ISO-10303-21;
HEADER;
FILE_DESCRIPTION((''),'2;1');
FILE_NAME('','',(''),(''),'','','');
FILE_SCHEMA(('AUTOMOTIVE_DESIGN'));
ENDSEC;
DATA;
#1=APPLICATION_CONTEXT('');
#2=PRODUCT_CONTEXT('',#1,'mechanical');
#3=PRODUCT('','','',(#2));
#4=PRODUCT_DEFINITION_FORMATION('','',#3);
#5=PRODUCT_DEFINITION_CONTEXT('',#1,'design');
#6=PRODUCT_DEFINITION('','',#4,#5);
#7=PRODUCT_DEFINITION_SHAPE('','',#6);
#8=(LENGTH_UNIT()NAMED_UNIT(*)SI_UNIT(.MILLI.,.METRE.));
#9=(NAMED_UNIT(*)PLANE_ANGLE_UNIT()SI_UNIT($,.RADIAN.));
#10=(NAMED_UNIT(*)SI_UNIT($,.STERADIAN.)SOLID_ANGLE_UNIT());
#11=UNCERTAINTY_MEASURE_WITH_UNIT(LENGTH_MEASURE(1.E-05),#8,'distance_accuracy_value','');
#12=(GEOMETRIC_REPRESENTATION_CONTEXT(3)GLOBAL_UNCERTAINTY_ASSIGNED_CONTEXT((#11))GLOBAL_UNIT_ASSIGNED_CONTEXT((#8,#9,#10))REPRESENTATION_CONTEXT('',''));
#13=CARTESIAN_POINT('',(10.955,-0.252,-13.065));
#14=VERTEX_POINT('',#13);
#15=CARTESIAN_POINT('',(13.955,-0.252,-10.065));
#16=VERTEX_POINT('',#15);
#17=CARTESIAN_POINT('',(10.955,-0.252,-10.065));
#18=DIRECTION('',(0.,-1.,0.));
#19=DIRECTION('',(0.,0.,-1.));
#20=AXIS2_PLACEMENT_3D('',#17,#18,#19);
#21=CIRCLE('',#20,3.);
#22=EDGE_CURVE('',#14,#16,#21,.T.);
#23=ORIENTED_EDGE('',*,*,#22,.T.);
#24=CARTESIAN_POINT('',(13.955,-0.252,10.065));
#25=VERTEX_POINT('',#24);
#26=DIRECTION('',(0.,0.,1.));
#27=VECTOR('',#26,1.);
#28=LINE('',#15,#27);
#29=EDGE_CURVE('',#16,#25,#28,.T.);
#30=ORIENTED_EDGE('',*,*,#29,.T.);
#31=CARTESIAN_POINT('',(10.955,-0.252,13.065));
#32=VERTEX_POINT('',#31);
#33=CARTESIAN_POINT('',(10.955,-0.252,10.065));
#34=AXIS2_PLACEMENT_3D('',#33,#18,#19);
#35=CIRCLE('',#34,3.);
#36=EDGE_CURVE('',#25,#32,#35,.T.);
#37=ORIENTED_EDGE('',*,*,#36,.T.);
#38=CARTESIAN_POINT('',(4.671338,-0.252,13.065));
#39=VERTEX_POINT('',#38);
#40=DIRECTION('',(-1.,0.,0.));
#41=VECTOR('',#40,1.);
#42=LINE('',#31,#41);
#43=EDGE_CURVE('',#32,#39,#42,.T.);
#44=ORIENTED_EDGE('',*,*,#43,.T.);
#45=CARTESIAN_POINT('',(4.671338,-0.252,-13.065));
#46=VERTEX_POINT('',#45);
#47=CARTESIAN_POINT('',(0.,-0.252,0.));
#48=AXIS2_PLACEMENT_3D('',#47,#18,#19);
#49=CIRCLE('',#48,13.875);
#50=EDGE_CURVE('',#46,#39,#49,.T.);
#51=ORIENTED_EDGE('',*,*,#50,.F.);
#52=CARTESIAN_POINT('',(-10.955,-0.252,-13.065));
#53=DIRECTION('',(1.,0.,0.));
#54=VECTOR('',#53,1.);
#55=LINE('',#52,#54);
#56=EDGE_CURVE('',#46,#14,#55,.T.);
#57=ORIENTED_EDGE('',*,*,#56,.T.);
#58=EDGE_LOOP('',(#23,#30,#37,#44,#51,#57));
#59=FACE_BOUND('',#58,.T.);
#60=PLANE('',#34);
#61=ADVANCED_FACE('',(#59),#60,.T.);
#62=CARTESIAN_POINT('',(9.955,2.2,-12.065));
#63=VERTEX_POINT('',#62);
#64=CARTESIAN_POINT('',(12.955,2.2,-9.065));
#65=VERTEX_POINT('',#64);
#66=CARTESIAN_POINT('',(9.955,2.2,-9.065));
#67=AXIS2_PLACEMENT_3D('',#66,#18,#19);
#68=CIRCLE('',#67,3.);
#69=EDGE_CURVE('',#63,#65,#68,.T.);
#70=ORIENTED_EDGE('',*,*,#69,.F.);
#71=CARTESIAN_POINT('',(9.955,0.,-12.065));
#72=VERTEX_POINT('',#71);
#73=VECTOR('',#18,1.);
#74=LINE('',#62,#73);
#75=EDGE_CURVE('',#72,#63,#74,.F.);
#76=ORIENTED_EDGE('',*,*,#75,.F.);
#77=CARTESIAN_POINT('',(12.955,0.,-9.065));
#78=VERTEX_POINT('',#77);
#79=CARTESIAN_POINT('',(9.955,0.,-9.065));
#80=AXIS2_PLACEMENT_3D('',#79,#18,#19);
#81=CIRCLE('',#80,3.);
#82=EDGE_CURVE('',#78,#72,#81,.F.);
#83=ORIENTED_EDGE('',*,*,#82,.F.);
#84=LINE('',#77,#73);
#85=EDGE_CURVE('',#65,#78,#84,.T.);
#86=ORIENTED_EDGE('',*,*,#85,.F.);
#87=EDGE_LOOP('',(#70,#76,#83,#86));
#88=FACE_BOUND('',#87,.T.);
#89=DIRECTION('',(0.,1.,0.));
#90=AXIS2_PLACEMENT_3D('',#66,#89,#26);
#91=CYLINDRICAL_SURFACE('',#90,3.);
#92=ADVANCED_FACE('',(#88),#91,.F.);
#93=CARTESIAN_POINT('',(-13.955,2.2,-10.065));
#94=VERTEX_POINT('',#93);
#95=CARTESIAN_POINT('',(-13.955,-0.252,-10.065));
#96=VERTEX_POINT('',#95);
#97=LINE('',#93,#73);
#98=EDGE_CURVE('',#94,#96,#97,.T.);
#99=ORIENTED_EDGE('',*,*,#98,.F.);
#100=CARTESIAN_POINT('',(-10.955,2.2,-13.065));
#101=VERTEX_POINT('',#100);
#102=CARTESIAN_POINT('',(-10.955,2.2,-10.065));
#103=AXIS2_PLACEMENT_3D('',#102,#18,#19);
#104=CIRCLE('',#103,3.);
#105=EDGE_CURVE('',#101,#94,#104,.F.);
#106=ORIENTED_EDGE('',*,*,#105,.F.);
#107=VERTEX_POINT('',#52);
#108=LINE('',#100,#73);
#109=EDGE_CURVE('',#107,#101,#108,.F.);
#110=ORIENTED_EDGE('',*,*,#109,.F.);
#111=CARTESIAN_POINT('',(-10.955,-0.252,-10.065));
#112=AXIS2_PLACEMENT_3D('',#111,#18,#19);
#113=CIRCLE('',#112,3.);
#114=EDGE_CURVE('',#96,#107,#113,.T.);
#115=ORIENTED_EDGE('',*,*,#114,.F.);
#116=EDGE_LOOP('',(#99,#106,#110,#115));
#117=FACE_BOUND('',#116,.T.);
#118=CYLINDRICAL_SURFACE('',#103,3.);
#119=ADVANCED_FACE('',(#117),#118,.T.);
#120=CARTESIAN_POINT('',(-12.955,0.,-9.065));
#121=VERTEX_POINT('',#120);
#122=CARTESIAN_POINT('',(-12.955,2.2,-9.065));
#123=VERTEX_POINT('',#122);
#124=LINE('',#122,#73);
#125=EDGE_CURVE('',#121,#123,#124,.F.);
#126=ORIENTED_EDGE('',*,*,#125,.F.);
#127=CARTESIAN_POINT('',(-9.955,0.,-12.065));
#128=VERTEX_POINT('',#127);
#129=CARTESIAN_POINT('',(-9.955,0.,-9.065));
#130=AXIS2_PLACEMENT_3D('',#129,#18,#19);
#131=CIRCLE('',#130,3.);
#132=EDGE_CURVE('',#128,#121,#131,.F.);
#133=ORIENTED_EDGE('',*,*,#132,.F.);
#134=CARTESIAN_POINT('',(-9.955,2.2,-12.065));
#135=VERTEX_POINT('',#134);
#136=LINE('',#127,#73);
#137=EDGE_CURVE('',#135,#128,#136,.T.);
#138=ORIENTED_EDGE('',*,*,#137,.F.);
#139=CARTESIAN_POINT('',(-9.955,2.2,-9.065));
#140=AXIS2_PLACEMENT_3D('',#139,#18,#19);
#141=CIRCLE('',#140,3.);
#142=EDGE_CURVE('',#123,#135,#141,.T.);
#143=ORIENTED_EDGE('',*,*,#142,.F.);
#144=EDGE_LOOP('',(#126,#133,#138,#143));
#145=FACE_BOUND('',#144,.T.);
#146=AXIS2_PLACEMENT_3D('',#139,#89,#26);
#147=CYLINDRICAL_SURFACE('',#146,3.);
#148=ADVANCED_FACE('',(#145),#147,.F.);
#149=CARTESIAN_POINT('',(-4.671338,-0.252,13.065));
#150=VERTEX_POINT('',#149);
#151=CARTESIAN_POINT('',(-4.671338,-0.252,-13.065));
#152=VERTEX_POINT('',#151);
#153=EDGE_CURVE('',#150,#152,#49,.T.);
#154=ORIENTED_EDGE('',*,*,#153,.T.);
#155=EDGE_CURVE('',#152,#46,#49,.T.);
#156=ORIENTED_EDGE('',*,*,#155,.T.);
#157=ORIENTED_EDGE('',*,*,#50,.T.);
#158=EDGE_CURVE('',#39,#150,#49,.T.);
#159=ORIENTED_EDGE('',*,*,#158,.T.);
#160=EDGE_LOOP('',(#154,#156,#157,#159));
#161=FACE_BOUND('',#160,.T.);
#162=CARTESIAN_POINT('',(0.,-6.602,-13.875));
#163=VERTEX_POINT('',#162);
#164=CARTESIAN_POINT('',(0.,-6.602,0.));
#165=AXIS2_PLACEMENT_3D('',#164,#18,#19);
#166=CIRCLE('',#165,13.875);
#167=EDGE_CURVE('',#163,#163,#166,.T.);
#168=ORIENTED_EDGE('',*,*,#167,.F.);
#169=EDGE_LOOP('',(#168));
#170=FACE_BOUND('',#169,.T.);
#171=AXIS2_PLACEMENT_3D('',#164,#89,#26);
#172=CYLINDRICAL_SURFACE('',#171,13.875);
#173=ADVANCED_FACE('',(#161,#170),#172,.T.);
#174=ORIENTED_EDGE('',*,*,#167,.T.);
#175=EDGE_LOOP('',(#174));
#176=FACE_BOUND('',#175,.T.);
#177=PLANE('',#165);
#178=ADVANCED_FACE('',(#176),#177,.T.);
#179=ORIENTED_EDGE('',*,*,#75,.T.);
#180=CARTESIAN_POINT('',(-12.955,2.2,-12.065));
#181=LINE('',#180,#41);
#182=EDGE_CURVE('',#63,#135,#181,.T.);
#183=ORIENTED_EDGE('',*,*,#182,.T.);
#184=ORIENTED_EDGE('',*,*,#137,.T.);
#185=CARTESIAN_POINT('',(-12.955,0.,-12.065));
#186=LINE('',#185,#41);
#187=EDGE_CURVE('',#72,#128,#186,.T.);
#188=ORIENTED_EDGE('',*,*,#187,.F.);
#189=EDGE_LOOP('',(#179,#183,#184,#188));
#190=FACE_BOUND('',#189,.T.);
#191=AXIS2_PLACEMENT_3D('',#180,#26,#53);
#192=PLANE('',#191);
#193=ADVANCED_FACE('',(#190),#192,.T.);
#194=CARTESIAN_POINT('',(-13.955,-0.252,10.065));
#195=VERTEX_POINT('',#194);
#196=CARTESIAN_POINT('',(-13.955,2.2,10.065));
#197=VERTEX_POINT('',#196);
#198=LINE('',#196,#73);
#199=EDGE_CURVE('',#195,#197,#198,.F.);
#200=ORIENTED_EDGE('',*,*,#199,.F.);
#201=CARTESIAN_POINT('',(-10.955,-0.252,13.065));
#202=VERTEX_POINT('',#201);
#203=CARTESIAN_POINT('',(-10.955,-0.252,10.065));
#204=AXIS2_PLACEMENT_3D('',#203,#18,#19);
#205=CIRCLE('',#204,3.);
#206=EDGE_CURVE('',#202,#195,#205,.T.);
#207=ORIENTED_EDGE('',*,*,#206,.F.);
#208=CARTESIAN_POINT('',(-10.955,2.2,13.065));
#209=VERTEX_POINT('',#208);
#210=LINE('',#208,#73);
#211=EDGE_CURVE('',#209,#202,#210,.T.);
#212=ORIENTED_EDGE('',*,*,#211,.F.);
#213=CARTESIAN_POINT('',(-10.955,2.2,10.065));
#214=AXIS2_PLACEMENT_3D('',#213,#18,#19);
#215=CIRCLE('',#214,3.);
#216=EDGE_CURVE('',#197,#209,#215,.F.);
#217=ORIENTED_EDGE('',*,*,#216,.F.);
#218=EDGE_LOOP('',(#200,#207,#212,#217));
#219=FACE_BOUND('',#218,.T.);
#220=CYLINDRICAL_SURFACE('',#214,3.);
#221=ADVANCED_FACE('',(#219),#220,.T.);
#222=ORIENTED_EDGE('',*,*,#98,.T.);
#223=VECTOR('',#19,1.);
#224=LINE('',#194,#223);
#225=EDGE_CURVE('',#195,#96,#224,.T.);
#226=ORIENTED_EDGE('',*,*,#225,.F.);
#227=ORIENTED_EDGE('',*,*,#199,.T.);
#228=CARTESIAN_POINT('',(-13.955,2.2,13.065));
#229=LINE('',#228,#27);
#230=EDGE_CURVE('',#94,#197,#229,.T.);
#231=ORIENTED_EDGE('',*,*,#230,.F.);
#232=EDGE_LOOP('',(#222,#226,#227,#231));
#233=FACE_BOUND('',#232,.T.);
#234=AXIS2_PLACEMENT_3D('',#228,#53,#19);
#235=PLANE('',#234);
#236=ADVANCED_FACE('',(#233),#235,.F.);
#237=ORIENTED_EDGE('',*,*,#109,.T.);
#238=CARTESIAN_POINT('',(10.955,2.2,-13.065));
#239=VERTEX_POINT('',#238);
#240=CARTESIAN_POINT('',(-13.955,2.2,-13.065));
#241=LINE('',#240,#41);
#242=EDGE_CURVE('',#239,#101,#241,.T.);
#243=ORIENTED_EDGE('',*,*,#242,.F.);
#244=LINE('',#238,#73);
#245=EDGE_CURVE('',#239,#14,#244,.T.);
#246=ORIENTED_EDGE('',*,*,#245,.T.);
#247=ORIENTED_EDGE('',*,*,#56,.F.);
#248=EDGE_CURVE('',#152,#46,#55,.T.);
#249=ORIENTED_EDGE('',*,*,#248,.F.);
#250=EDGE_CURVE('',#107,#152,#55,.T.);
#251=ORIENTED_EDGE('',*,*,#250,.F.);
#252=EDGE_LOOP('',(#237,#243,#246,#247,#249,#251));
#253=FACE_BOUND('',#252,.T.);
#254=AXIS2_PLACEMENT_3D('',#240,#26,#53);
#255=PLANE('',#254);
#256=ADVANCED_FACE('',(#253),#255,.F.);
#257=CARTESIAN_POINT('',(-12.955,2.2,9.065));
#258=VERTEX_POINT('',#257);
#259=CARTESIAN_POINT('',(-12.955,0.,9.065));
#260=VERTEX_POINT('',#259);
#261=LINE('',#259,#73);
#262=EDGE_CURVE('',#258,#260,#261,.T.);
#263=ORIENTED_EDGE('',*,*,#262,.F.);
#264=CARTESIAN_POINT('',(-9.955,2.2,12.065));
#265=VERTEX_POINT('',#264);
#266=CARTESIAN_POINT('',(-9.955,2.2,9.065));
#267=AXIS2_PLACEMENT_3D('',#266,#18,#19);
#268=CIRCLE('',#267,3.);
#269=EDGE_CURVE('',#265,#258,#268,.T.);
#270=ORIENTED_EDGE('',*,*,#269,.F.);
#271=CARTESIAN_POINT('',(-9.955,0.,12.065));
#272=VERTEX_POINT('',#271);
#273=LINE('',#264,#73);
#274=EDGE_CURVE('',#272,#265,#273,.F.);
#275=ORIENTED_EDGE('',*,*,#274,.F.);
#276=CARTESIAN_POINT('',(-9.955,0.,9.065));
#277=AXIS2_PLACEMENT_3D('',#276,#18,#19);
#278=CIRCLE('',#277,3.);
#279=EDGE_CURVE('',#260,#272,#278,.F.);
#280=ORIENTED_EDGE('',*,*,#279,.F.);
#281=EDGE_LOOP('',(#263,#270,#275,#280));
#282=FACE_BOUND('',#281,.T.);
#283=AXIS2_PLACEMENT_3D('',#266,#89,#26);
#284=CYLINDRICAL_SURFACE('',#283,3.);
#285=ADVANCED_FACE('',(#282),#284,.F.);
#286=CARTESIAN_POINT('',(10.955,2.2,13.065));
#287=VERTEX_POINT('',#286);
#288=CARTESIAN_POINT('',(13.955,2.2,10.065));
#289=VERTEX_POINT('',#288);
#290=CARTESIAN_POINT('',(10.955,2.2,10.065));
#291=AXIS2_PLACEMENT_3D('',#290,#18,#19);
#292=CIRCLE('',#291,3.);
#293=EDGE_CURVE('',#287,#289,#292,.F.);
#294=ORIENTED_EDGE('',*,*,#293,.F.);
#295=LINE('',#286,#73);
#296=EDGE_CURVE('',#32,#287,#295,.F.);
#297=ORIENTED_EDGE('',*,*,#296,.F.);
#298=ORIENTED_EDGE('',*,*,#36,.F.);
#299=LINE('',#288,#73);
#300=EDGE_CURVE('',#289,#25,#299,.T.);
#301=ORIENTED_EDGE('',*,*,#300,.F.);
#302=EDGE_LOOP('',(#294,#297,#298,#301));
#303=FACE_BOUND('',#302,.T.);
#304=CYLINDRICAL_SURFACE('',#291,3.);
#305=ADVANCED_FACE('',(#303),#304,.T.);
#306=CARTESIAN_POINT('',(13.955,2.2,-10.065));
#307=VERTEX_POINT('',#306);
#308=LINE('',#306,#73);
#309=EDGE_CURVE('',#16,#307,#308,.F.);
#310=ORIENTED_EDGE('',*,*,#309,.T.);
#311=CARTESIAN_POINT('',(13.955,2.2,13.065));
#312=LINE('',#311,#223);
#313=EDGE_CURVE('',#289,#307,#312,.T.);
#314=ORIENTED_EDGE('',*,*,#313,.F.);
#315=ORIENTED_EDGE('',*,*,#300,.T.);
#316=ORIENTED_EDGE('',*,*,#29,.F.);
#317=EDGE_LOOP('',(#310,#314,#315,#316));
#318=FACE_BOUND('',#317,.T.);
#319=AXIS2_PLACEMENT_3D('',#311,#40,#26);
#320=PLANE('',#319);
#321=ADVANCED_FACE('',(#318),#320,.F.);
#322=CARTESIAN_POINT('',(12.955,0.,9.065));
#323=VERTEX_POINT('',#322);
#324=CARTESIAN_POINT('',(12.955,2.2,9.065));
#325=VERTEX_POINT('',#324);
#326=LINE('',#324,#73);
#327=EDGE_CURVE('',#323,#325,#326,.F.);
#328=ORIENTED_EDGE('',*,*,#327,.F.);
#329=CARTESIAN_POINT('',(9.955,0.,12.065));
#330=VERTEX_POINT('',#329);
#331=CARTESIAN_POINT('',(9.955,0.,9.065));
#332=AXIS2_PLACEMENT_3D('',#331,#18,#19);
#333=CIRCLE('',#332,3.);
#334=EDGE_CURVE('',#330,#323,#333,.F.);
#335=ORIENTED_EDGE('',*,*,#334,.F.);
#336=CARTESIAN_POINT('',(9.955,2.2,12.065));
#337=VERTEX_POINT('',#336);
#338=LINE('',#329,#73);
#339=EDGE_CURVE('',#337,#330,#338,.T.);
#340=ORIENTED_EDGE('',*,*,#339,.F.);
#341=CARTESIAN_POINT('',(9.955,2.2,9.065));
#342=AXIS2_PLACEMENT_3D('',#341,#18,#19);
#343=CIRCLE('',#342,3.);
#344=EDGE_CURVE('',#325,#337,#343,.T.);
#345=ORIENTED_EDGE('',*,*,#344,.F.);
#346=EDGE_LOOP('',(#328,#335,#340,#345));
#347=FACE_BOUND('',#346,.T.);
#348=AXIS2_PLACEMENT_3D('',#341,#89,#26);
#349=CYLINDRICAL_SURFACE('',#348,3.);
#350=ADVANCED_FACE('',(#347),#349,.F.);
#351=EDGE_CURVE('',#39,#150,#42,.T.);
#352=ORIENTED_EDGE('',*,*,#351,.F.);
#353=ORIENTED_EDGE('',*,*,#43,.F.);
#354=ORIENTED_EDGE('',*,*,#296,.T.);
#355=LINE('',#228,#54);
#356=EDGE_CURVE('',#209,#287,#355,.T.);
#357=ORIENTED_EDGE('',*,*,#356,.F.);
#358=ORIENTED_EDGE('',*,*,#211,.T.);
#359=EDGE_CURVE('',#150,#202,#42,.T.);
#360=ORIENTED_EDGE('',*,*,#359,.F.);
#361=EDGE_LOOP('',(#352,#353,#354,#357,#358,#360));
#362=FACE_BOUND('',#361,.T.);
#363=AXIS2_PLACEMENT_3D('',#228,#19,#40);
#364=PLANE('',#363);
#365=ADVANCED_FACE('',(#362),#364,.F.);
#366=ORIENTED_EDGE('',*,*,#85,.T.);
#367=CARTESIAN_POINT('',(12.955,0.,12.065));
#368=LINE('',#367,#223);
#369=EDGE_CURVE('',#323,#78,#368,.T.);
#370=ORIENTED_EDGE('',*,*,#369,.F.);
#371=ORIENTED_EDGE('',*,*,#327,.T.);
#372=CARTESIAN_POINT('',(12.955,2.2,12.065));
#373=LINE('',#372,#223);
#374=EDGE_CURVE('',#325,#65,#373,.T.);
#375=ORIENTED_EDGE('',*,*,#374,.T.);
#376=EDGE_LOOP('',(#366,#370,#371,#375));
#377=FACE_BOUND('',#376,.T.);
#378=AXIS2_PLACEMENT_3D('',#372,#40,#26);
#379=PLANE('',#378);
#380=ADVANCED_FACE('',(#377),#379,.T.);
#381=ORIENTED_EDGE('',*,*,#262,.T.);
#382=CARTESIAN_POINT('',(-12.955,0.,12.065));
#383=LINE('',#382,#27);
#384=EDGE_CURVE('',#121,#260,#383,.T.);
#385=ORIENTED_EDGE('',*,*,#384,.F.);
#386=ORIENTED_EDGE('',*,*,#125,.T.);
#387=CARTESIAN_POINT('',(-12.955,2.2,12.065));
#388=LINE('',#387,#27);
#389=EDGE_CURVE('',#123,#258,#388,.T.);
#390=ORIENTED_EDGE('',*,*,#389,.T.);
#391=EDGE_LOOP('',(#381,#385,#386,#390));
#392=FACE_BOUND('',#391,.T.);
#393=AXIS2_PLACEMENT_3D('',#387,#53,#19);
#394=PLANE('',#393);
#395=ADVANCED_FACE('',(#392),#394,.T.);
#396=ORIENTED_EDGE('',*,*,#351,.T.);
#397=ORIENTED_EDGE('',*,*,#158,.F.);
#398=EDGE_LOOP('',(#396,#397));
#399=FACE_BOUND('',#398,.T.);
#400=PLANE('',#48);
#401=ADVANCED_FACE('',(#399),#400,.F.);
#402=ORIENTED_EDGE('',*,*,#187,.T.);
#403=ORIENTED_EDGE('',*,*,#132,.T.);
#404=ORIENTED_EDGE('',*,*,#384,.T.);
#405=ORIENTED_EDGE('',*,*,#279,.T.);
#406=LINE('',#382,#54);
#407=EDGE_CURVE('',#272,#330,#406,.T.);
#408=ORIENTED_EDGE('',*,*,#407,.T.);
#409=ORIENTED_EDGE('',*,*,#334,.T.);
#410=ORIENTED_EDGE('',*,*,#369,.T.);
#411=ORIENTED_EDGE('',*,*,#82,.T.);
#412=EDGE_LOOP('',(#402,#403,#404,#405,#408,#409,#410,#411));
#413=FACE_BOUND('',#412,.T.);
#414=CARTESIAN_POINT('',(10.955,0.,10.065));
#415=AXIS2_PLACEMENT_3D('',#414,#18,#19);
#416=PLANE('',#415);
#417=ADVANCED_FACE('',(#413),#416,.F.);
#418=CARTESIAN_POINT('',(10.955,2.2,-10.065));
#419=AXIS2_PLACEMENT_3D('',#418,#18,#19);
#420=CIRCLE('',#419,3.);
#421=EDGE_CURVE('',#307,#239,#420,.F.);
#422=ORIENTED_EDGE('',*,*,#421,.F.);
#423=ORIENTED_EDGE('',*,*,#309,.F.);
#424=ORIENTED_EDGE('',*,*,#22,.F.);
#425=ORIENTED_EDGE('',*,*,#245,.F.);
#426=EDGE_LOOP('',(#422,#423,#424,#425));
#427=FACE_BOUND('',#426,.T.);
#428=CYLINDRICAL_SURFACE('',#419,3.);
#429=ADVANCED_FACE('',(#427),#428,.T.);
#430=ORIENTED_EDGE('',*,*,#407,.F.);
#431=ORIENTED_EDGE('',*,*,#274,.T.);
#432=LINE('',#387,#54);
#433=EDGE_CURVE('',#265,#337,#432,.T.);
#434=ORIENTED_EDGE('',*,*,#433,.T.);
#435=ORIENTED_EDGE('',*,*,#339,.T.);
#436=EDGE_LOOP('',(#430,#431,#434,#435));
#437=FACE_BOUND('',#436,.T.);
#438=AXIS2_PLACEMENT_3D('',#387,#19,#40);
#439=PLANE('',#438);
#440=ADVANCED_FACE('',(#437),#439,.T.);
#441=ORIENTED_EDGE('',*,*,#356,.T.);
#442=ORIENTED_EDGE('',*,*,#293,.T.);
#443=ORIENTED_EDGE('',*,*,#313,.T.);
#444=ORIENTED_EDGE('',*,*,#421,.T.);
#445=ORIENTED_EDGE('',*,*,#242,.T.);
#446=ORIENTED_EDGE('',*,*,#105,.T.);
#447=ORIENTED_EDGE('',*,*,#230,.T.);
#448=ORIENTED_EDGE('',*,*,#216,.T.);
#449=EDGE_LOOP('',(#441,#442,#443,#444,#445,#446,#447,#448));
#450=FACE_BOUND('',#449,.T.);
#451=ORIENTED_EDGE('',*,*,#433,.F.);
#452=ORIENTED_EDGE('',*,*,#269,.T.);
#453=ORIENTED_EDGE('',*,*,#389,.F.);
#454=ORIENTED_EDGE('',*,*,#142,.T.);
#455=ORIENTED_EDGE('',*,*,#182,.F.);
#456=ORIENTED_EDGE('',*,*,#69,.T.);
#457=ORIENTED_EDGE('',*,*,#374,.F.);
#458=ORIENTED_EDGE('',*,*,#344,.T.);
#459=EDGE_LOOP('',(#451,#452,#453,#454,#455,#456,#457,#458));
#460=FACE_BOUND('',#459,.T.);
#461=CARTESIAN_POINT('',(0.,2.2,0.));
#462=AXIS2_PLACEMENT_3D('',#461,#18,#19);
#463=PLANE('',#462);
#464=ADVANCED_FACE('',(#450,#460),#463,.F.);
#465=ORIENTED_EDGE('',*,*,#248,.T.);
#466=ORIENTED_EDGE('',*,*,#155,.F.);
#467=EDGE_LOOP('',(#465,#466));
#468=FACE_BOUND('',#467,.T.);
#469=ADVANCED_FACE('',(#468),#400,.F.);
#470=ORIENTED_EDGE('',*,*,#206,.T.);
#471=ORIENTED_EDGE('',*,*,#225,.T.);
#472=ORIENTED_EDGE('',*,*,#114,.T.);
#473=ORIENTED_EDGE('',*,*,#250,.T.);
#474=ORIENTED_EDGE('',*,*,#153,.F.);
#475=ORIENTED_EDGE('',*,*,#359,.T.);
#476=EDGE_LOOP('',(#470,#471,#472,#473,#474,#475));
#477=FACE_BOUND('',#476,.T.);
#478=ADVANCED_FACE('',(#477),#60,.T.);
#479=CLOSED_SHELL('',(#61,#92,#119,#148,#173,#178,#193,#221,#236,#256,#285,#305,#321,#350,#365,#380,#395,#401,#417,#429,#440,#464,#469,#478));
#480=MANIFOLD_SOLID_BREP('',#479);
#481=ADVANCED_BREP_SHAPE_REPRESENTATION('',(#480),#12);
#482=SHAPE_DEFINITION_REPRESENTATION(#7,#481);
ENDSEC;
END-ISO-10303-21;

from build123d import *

# Parameters (mm, degrees)
IZIM1_W                     = 27.91
IZIM1_H                     = 26.13
IZIM1_W_2                   = 25.91
IZIM1_H_2                   = 24.13
Y_KSEKLIK_EKSTR_ZYON1_DEPTH = 2.2
RADYUS1_R                   = 3
Y_KSEKLIK_EKSTR_ZYON2_DEPTH = 0.252
IZIM3_R                     = 13.875
Y_KSEKLIK_EKSTR_ZYON3_DEPTH = 6.35


with BuildPart() as part:
    # Çizim1 → Yükseklik-Ekstrüzyon1 (new body)
    with BuildSketch(Plane(origin=(0, 0, 0), x_dir=(1, 0, 0), z_dir=(0, 1, 0))):
        Rectangle(IZIM1_W, IZIM1_H)
        Rectangle(IZIM1_W_2, IZIM1_H_2, mode=Mode.SUBTRACT)
    extrude(amount=Y_KSEKLIK_EKSTR_ZYON1_DEPTH)

    # Radyus1
    radyus1_edges = [part.edges().sort_by_distance(p)[0] for p in [
        (12.955, 1.1, 12.065),
        (12.955, 1.1, -12.065),
        (-12.955, 1.1, -12.065),
        (-12.955, 1.1, 12.065),
        (-13.955, 1.1, -13.065),
        (13.955, 1.1, -13.065),
        (13.955, 1.1, 13.065),
        (-13.955, 1.1, 13.065),
    ]]
    fillet(radyus1_edges, radius=RADYUS1_R)

    # Çizim2 → Yükseklik-Ekstrüzyon2 (add)
    with BuildSketch(Plane.XZ):
        with BuildLine():
            Line((10.955, 13.065), (-10.955, 13.065))
            ThreePointArc((-10.955, 13.065), (-13.076320344, 12.186320344), (-13.955, 10.065))
            Line((-13.955, 10.065), (-13.955, -10.065))
            ThreePointArc((-13.955, -10.065), (-13.076320344, -12.186320344), (-10.955, -13.065))
            Line((-10.955, -13.065), (10.955, -13.065))
            ThreePointArc((10.955, -13.065), (13.076320344, -12.186320344), (13.955, -10.065))
            Line((13.955, -10.065), (13.955, 10.065))
            ThreePointArc((13.955, 10.065), (13.076320344, 12.186320344), (10.955, 13.065))
        make_face()
    extrude(amount=Y_KSEKLIK_EKSTR_ZYON2_DEPTH)

    # Çizim3 → Yükseklik-Ekstrüzyon3 (add)
    with BuildSketch(Plane.XZ.offset(0.252)):
        with Locations(Location((0, 0, 0), (0, 0, 70.325694482))):
            Circle(IZIM3_R)
    extrude(amount=Y_KSEKLIK_EKSTR_ZYON3_DEPTH)


solid = part.part
